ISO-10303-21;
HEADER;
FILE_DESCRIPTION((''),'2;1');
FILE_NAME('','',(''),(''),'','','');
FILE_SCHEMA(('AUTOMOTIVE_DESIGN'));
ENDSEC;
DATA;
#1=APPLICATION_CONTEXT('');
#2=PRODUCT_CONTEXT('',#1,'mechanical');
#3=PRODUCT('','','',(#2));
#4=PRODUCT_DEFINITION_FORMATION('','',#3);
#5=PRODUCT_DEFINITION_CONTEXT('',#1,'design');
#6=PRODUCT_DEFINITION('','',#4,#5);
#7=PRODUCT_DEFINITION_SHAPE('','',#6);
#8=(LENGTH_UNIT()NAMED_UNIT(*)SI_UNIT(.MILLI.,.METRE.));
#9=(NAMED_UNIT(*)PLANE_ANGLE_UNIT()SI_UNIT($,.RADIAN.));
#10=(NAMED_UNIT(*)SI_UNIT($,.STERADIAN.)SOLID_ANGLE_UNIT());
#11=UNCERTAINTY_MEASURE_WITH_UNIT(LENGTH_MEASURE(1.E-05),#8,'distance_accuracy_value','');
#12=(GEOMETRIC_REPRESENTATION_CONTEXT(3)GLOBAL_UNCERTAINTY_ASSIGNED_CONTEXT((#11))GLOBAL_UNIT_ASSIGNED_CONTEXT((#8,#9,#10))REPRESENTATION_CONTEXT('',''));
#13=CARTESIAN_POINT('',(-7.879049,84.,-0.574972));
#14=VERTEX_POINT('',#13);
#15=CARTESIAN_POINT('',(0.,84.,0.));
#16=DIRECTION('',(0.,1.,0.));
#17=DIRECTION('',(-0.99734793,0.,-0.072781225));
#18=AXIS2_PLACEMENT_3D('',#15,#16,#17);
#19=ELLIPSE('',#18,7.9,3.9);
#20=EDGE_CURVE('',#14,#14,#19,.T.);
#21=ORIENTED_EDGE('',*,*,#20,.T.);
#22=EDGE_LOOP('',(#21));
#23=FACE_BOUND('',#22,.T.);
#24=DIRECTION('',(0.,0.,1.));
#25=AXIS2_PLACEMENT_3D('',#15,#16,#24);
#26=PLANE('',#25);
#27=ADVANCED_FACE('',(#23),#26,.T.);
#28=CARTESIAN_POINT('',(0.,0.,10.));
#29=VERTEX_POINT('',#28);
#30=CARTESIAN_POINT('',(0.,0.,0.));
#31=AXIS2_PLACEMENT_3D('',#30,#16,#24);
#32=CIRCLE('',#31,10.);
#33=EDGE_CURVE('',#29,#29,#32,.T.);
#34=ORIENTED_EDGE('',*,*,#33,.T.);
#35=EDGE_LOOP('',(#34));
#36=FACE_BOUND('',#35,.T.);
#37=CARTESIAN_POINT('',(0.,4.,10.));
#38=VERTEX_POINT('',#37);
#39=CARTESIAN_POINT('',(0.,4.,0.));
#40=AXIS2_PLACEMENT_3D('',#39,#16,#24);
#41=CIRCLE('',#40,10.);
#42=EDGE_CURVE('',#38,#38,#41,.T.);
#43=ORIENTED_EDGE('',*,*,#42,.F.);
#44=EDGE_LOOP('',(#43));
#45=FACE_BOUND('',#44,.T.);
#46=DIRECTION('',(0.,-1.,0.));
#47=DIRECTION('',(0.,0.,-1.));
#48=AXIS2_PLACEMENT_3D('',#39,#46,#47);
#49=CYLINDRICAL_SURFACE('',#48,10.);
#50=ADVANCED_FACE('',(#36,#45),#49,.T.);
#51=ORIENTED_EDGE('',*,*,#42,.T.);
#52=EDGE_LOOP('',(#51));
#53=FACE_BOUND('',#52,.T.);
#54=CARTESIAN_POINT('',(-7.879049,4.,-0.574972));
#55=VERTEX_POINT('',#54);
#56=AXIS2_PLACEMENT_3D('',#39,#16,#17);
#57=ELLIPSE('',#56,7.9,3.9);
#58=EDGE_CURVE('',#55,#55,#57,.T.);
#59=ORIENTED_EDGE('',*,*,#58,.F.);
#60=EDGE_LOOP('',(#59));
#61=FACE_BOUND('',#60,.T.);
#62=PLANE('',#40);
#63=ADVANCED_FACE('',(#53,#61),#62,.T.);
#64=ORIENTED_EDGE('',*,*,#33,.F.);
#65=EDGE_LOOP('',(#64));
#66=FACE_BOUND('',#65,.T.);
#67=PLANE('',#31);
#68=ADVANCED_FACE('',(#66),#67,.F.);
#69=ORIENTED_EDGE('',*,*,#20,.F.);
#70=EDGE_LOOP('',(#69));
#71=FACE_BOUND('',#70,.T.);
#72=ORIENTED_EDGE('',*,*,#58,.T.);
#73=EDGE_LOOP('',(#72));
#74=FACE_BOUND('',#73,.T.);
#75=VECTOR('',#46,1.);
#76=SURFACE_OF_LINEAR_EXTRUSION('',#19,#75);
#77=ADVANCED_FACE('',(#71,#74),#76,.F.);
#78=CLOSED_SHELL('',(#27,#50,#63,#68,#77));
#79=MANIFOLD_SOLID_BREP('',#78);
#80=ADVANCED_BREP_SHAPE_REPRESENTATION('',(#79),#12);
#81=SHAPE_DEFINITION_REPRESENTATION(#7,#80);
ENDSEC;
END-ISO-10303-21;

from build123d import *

# Parameters (mm, degrees)
SKETCH6_R           = 10
BOSS_EXTRUDE3_DEPTH = 4
SKETCH7_RX          = 7.9
SKETCH7_RY          = 3.9
BOSS_EXTRUDE4_DEPTH = 80


with BuildPart() as part:
    # Sketch6 → Boss-Extrude3 (new body)
    with BuildSketch(Plane(origin=(0, 0, 0), x_dir=(1, 0, 0), z_dir=(0, 1, 0))):
        with Locations(Location((0, 0, 0), (0, 0, 270))):
            Circle(SKETCH6_R)
    extrude(amount=BOSS_EXTRUDE3_DEPTH)

    # Sketch7 → Boss-Extrude4 (add)
    with BuildSketch(Plane(origin=(0, 4, 0), x_dir=(1, 0, 0), z_dir=(0, 1, 0))):
        with Locations(Location((0, 0), (0, 0, 175.826252623))):
            Ellipse(SKETCH7_RX, SKETCH7_RY)
    extrude(amount=BOSS_EXTRUDE4_DEPTH)


solid = part.part
